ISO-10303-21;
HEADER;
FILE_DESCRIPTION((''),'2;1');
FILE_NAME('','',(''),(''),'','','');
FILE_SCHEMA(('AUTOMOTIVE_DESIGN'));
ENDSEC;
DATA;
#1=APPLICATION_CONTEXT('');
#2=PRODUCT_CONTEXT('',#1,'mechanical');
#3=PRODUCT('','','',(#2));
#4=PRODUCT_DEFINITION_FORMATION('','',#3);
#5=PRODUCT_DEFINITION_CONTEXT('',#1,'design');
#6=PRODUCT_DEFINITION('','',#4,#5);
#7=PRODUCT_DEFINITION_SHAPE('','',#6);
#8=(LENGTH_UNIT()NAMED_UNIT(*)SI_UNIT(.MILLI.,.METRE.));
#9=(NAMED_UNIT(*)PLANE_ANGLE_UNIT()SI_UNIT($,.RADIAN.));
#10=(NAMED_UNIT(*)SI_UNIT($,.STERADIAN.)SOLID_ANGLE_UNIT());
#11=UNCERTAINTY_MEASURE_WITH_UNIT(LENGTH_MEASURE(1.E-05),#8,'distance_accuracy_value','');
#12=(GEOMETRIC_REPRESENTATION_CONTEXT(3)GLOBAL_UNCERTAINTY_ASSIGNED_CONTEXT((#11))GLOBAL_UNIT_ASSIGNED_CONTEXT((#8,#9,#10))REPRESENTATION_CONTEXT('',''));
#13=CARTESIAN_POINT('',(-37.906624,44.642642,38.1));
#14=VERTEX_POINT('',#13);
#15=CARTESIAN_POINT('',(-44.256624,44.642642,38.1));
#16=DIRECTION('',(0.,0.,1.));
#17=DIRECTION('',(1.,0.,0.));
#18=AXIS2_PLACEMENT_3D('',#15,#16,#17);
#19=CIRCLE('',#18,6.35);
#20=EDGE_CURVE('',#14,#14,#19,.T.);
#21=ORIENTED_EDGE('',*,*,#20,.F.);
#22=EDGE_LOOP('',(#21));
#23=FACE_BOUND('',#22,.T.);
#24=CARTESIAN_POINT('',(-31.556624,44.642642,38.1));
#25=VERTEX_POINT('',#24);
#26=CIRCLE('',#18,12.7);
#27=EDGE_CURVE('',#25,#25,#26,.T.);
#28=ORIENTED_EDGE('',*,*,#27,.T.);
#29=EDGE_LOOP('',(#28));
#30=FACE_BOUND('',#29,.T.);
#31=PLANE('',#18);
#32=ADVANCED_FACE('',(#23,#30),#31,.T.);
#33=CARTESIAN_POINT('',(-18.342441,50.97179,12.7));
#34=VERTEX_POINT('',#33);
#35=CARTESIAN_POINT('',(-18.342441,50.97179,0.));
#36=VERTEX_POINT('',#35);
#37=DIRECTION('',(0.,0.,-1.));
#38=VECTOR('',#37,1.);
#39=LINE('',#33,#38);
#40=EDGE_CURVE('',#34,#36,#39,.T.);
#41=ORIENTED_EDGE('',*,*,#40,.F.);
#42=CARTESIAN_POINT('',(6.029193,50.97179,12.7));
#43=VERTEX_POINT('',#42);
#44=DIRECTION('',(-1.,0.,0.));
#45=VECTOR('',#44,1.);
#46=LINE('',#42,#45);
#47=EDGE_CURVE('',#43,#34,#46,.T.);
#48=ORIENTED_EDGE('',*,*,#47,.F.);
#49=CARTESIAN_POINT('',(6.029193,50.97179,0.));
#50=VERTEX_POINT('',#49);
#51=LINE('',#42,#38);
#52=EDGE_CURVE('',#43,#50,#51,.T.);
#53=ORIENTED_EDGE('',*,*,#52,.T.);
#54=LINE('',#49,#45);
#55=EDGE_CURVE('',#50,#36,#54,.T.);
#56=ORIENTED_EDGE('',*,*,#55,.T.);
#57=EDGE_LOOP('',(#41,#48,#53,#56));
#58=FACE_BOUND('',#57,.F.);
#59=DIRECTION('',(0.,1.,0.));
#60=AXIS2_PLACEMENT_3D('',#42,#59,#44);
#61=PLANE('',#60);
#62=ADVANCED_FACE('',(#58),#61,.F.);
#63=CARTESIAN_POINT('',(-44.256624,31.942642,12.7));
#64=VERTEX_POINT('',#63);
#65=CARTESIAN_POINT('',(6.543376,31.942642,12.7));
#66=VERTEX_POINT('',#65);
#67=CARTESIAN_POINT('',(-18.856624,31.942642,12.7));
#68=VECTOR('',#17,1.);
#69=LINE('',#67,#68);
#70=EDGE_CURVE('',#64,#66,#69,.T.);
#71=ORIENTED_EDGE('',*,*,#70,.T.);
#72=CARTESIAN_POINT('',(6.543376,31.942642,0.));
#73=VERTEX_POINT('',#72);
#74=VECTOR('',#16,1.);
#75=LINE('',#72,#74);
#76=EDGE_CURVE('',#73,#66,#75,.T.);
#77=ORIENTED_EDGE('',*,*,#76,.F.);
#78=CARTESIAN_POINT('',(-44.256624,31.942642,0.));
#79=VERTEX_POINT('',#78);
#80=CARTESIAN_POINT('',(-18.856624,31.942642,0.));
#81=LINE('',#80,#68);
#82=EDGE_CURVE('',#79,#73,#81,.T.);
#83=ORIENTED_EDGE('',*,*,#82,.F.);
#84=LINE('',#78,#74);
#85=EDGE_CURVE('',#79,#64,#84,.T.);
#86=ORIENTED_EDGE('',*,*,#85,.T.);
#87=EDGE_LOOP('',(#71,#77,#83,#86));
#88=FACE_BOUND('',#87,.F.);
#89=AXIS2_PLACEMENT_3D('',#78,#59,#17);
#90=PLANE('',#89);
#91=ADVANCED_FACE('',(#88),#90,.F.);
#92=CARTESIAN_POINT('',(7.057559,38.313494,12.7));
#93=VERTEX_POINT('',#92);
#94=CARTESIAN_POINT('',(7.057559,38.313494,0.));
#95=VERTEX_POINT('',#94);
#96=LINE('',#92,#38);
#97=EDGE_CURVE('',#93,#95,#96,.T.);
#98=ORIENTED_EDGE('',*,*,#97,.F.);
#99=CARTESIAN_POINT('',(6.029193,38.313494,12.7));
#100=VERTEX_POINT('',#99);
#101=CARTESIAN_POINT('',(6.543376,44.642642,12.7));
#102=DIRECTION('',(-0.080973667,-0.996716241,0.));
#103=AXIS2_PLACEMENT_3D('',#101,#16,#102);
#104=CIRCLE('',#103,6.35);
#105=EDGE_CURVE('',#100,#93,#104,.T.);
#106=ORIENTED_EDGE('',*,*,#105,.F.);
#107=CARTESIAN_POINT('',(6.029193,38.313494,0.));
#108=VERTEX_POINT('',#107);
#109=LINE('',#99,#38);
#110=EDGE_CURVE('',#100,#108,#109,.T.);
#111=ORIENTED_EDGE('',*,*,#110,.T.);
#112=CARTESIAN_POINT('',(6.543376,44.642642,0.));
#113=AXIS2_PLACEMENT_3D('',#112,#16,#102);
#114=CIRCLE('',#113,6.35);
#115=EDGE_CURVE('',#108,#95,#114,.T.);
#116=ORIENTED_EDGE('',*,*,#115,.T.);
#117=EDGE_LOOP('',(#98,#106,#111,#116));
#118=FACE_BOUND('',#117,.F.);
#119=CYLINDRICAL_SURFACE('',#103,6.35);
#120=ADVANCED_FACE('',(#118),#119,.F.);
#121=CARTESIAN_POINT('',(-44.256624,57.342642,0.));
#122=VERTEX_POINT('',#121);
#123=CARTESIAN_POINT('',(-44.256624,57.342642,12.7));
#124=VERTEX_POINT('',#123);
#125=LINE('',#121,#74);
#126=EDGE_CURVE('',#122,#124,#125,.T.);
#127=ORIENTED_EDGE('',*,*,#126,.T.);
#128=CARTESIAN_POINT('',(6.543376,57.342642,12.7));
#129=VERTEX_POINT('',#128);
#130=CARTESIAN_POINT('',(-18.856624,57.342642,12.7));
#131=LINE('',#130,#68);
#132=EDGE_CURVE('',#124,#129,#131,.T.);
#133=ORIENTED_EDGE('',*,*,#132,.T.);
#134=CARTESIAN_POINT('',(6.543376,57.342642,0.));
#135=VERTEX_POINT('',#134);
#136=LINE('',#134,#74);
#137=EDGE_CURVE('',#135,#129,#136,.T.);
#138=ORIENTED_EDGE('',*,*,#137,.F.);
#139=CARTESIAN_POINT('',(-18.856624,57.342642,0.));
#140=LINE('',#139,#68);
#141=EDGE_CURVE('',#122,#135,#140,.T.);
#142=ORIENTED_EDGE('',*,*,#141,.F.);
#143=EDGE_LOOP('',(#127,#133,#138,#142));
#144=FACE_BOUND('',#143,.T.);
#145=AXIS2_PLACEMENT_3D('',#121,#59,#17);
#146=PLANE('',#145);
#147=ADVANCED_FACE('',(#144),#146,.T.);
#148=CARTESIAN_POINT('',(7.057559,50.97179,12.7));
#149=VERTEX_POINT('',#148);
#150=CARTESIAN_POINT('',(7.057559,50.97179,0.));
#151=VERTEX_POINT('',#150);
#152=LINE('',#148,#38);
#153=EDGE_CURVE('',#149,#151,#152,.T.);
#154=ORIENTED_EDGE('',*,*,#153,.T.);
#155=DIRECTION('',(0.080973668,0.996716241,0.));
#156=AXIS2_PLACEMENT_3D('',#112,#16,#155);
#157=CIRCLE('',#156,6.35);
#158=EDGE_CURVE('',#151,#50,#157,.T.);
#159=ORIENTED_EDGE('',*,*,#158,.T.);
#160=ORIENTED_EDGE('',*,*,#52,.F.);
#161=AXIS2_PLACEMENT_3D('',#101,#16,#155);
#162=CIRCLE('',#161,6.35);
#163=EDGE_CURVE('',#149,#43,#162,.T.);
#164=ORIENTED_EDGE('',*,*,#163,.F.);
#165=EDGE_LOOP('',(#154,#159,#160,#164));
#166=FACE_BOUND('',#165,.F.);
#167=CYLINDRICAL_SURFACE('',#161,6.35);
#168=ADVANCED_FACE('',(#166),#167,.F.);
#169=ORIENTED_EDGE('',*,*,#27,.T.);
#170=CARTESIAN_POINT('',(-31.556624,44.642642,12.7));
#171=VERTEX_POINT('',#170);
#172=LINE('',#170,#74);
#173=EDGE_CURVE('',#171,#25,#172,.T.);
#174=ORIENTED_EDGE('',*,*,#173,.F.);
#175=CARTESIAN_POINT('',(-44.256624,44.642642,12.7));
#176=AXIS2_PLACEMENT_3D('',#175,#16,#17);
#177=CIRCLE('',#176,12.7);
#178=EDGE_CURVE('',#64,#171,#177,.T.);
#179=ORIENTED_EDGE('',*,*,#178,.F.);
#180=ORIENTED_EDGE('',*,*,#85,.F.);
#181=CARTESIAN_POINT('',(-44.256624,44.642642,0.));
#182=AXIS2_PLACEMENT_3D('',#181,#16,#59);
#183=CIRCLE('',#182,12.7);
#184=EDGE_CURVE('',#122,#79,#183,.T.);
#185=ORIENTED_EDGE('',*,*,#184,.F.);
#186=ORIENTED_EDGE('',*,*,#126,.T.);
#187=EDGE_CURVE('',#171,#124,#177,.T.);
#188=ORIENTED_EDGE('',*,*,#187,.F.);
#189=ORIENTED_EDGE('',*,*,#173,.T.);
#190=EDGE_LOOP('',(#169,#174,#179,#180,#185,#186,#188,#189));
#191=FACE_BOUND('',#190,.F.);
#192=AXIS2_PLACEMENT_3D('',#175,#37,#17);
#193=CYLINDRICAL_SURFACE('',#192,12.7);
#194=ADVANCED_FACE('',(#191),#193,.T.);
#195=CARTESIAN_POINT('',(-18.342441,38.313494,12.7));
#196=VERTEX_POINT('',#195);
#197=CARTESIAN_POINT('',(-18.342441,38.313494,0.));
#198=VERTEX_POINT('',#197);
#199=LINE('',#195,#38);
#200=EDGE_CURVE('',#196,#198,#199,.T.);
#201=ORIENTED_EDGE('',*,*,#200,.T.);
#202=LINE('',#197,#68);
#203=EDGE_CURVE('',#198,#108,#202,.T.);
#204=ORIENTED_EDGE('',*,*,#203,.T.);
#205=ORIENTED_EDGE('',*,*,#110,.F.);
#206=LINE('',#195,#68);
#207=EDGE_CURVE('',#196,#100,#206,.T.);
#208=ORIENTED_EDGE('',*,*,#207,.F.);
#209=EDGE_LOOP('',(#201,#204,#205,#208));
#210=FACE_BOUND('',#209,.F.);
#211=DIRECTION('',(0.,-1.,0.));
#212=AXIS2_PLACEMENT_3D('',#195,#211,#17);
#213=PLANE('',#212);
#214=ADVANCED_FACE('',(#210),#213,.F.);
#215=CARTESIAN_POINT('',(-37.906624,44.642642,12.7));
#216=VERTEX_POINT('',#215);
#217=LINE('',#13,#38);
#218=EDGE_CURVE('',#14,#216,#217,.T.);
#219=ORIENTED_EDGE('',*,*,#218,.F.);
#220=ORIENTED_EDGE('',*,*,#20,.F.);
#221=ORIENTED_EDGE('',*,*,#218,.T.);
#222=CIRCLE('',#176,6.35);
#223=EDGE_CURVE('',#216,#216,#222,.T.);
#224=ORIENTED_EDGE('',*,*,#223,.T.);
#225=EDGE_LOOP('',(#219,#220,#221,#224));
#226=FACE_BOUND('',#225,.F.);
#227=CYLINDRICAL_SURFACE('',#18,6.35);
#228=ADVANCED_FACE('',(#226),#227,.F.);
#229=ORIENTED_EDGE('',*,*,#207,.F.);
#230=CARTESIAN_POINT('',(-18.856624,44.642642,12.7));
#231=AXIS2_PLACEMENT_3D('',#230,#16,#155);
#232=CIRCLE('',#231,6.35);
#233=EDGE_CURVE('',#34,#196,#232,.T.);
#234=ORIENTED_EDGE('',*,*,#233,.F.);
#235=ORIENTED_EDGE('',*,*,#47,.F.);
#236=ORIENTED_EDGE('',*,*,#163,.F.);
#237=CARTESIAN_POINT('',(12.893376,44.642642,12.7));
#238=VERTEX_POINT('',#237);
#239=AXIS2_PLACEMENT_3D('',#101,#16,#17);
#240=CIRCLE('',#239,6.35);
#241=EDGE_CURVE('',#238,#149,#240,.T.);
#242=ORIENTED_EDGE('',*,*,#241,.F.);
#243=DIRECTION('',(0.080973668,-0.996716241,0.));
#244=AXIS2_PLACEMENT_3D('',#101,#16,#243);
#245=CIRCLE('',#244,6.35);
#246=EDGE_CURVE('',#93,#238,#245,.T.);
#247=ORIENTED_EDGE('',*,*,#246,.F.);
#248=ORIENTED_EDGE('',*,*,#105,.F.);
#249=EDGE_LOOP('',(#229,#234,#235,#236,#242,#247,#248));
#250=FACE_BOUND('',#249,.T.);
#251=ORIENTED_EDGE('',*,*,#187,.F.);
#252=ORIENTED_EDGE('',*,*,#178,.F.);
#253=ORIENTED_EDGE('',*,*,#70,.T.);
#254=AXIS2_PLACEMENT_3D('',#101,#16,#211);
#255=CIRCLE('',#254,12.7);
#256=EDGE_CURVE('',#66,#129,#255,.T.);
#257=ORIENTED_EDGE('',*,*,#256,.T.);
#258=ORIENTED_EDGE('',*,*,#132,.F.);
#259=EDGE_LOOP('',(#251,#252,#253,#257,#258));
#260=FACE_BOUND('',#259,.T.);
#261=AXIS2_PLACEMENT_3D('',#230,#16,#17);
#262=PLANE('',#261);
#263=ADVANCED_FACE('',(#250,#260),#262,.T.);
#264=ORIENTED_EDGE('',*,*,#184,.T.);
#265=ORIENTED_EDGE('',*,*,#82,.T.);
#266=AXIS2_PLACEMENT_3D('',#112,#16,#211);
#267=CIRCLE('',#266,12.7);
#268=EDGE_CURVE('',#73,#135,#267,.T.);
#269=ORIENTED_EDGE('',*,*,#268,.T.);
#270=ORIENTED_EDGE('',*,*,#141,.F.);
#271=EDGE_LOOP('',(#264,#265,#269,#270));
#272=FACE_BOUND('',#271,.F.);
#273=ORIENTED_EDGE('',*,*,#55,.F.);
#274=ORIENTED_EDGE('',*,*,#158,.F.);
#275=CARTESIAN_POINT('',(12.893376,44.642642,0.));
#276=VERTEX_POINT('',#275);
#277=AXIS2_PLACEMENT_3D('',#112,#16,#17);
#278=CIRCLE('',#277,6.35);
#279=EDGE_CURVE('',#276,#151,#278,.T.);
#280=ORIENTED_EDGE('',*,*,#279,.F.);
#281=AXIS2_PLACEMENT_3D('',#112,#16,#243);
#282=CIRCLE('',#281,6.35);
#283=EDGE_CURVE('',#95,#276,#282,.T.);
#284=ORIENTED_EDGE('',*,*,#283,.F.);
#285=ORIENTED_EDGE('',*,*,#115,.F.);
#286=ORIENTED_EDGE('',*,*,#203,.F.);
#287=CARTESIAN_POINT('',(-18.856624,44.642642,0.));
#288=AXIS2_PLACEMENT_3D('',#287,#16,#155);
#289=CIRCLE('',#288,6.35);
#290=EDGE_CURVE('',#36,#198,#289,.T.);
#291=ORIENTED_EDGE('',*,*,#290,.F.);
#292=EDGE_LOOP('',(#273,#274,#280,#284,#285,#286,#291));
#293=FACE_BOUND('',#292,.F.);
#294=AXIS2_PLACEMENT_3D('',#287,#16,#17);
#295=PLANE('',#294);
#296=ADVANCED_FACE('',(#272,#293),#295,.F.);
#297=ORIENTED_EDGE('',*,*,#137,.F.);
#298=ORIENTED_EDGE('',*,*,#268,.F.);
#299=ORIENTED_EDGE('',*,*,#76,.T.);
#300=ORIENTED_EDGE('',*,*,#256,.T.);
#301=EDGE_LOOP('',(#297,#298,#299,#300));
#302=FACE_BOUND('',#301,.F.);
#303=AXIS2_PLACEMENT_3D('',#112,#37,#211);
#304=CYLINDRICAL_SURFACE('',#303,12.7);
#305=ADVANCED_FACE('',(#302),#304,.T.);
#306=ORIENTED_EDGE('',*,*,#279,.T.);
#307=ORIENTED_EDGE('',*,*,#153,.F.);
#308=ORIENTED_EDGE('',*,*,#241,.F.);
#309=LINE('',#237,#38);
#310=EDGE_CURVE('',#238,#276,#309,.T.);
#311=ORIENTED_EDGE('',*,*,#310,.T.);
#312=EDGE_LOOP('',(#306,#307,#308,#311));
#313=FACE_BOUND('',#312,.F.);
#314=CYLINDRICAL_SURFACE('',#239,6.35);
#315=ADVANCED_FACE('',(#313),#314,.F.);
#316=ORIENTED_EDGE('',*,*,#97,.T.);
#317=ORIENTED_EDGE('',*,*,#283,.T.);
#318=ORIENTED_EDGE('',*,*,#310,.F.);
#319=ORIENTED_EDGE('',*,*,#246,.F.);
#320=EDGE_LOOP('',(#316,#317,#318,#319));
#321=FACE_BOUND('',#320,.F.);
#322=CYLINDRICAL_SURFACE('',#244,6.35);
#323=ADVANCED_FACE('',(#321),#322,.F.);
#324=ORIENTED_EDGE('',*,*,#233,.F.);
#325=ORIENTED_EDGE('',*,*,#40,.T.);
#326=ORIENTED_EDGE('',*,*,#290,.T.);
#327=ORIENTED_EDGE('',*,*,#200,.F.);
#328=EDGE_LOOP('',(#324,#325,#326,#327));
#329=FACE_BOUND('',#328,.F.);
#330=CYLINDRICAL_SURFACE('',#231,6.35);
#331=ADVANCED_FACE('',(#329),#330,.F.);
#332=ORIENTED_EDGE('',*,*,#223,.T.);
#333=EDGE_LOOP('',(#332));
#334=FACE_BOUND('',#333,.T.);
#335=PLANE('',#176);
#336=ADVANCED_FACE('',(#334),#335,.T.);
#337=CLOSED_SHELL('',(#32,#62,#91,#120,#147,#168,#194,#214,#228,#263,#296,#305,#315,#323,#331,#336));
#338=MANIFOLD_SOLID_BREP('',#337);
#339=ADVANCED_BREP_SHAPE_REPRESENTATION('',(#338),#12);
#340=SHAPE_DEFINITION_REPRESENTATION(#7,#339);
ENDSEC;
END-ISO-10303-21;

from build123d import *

# Parameters (mm, degrees)
F0_W     = 50.8
F0_H     = 25.4
F1_DEPTH = 12.7
F2_R     = 12.7
F3_DEPTH = 25.4
F4_R     = 6.35
F5_DEPTH = 25.4
F7_DEPTH = 12.7


with BuildPart() as f1:
    # F0 (on Top) → F1 (new body)
    with BuildSketch(Plane.XY):
        with Locations((-18.8566240436, 44.6426421404)):
            Rectangle(F0_W, F0_H)
        with BuildLine():
            Line((-44.2566240436, 31.9426421404), (-44.2566240436, 57.3426421404))
            ThreePointArc((-44.2566240436, 57.3426421404), (-56.9566240436, 44.6426421404), (-44.2566240436, 31.9426421404))
        make_face()
        with BuildLine():
            ThreePointArc((6.5433759564, 31.9426421404), (19.2433759564, 44.6426421404), (6.5433759564, 57.3426421404))
            Line((6.5433759564, 57.3426421404), (6.5433759564, 31.9426421404))
        make_face()
    extrude(amount=F1_DEPTH)

    # F2 (on face) → F3 (join)
    with BuildSketch(Plane.XY.offset(12.7)):
        with Locations((-44.2566240436, 44.6426421404)):
            Circle(F2_R)
    extrude(amount=F3_DEPTH)

    # F4 (on face) → F5 (cut)
    with BuildSketch(Plane.XY.offset(38.1)):
        with Locations((-44.2566240436, 44.6426421404)):
            Circle(F4_R)
    extrude(amount=-F5_DEPTH, mode=Mode.SUBTRACT)

    # F6 (on face) → F7 (cut)
    with BuildSketch(Plane.XY.offset(12.7)):
        with BuildLine():
            ThreePointArc((7.0575587453, 38.3134940097), (11.2117568701, 40.3381422106), (12.8933759564, 44.6426421404))
            ThreePointArc((12.8933759564, 44.6426421404), (11.2117568701, 48.9471420701), (7.0575587453, 50.971790271))
            Line((7.0575587453, 50.971790271), (7.0575587453, 38.3134940097))
        make_face()
        with BuildLine():
            Line((6.0291931675, 50.971790271), (7.0575587453, 50.971790271))
            ThreePointArc((7.0575587453, 50.971790271), (6.5433759564, 50.9926421404), (6.0291931675, 50.971790271))
        make_face()
        with BuildLine():
            Line((7.0575587453, 38.3134940097), (7.0575587453, 50.971790271))
            Line((7.0575587453, 50.971790271), (6.0291931675, 50.971790271))
            ThreePointArc((6.0291931675, 50.971790271), (0.1933759564, 44.6426421404), (6.0291931675, 38.3134940097))
            Line((6.0291931675, 38.3134940097), (7.0575587453, 38.3134940097))
        make_face()
        with BuildLine():
            ThreePointArc((6.0291931675, 38.3134940097), (6.5433759564, 38.2926421404), (7.0575587453, 38.3134940097))
            Line((7.0575587453, 38.3134940097), (6.0291931675, 38.3134940097))
        make_face()
        with BuildLine():
            ThreePointArc((6.0291931675, 38.3134940097), (0.1933759564, 44.6426421404), (6.0291931675, 50.971790271))
            Line((6.0291931675, 50.971790271), (-18.3424412547, 50.971790271))
            ThreePointArc((-18.3424412547, 50.971790271), (-14.1882431299, 48.9471420701), (-12.5066240436, 44.6426421404))
            ThreePointArc((-12.5066240436, 44.6426421404), (-14.1882431299, 40.3381422106), (-18.3424412547, 38.3134940097))
            Line((-18.3424412547, 38.3134940097), (6.0291931675, 38.3134940097))
        make_face()
        with BuildLine():
            Line((-18.3424412547, 38.3134940097), (-18.3424412547, 50.971790271))
            ThreePointArc((-18.3424412547, 50.971790271), (-25.2066240436, 44.6426421404), (-18.3424412547, 38.3134940097))
        make_face()
        with BuildLine():
            ThreePointArc((-12.5066240436, 44.6426421404), (-14.1882431299, 48.9471420701), (-18.3424412547, 50.971790271))
            Line((-18.3424412547, 50.971790271), (-18.3424412547, 38.3134940097))
            ThreePointArc((-18.3424412547, 38.3134940097), (-14.1882431299, 40.3381422106), (-12.5066240436, 44.6426421404))
        make_face()
    extrude(amount=-F7_DEPTH, mode=Mode.SUBTRACT)


solid = f1.part
